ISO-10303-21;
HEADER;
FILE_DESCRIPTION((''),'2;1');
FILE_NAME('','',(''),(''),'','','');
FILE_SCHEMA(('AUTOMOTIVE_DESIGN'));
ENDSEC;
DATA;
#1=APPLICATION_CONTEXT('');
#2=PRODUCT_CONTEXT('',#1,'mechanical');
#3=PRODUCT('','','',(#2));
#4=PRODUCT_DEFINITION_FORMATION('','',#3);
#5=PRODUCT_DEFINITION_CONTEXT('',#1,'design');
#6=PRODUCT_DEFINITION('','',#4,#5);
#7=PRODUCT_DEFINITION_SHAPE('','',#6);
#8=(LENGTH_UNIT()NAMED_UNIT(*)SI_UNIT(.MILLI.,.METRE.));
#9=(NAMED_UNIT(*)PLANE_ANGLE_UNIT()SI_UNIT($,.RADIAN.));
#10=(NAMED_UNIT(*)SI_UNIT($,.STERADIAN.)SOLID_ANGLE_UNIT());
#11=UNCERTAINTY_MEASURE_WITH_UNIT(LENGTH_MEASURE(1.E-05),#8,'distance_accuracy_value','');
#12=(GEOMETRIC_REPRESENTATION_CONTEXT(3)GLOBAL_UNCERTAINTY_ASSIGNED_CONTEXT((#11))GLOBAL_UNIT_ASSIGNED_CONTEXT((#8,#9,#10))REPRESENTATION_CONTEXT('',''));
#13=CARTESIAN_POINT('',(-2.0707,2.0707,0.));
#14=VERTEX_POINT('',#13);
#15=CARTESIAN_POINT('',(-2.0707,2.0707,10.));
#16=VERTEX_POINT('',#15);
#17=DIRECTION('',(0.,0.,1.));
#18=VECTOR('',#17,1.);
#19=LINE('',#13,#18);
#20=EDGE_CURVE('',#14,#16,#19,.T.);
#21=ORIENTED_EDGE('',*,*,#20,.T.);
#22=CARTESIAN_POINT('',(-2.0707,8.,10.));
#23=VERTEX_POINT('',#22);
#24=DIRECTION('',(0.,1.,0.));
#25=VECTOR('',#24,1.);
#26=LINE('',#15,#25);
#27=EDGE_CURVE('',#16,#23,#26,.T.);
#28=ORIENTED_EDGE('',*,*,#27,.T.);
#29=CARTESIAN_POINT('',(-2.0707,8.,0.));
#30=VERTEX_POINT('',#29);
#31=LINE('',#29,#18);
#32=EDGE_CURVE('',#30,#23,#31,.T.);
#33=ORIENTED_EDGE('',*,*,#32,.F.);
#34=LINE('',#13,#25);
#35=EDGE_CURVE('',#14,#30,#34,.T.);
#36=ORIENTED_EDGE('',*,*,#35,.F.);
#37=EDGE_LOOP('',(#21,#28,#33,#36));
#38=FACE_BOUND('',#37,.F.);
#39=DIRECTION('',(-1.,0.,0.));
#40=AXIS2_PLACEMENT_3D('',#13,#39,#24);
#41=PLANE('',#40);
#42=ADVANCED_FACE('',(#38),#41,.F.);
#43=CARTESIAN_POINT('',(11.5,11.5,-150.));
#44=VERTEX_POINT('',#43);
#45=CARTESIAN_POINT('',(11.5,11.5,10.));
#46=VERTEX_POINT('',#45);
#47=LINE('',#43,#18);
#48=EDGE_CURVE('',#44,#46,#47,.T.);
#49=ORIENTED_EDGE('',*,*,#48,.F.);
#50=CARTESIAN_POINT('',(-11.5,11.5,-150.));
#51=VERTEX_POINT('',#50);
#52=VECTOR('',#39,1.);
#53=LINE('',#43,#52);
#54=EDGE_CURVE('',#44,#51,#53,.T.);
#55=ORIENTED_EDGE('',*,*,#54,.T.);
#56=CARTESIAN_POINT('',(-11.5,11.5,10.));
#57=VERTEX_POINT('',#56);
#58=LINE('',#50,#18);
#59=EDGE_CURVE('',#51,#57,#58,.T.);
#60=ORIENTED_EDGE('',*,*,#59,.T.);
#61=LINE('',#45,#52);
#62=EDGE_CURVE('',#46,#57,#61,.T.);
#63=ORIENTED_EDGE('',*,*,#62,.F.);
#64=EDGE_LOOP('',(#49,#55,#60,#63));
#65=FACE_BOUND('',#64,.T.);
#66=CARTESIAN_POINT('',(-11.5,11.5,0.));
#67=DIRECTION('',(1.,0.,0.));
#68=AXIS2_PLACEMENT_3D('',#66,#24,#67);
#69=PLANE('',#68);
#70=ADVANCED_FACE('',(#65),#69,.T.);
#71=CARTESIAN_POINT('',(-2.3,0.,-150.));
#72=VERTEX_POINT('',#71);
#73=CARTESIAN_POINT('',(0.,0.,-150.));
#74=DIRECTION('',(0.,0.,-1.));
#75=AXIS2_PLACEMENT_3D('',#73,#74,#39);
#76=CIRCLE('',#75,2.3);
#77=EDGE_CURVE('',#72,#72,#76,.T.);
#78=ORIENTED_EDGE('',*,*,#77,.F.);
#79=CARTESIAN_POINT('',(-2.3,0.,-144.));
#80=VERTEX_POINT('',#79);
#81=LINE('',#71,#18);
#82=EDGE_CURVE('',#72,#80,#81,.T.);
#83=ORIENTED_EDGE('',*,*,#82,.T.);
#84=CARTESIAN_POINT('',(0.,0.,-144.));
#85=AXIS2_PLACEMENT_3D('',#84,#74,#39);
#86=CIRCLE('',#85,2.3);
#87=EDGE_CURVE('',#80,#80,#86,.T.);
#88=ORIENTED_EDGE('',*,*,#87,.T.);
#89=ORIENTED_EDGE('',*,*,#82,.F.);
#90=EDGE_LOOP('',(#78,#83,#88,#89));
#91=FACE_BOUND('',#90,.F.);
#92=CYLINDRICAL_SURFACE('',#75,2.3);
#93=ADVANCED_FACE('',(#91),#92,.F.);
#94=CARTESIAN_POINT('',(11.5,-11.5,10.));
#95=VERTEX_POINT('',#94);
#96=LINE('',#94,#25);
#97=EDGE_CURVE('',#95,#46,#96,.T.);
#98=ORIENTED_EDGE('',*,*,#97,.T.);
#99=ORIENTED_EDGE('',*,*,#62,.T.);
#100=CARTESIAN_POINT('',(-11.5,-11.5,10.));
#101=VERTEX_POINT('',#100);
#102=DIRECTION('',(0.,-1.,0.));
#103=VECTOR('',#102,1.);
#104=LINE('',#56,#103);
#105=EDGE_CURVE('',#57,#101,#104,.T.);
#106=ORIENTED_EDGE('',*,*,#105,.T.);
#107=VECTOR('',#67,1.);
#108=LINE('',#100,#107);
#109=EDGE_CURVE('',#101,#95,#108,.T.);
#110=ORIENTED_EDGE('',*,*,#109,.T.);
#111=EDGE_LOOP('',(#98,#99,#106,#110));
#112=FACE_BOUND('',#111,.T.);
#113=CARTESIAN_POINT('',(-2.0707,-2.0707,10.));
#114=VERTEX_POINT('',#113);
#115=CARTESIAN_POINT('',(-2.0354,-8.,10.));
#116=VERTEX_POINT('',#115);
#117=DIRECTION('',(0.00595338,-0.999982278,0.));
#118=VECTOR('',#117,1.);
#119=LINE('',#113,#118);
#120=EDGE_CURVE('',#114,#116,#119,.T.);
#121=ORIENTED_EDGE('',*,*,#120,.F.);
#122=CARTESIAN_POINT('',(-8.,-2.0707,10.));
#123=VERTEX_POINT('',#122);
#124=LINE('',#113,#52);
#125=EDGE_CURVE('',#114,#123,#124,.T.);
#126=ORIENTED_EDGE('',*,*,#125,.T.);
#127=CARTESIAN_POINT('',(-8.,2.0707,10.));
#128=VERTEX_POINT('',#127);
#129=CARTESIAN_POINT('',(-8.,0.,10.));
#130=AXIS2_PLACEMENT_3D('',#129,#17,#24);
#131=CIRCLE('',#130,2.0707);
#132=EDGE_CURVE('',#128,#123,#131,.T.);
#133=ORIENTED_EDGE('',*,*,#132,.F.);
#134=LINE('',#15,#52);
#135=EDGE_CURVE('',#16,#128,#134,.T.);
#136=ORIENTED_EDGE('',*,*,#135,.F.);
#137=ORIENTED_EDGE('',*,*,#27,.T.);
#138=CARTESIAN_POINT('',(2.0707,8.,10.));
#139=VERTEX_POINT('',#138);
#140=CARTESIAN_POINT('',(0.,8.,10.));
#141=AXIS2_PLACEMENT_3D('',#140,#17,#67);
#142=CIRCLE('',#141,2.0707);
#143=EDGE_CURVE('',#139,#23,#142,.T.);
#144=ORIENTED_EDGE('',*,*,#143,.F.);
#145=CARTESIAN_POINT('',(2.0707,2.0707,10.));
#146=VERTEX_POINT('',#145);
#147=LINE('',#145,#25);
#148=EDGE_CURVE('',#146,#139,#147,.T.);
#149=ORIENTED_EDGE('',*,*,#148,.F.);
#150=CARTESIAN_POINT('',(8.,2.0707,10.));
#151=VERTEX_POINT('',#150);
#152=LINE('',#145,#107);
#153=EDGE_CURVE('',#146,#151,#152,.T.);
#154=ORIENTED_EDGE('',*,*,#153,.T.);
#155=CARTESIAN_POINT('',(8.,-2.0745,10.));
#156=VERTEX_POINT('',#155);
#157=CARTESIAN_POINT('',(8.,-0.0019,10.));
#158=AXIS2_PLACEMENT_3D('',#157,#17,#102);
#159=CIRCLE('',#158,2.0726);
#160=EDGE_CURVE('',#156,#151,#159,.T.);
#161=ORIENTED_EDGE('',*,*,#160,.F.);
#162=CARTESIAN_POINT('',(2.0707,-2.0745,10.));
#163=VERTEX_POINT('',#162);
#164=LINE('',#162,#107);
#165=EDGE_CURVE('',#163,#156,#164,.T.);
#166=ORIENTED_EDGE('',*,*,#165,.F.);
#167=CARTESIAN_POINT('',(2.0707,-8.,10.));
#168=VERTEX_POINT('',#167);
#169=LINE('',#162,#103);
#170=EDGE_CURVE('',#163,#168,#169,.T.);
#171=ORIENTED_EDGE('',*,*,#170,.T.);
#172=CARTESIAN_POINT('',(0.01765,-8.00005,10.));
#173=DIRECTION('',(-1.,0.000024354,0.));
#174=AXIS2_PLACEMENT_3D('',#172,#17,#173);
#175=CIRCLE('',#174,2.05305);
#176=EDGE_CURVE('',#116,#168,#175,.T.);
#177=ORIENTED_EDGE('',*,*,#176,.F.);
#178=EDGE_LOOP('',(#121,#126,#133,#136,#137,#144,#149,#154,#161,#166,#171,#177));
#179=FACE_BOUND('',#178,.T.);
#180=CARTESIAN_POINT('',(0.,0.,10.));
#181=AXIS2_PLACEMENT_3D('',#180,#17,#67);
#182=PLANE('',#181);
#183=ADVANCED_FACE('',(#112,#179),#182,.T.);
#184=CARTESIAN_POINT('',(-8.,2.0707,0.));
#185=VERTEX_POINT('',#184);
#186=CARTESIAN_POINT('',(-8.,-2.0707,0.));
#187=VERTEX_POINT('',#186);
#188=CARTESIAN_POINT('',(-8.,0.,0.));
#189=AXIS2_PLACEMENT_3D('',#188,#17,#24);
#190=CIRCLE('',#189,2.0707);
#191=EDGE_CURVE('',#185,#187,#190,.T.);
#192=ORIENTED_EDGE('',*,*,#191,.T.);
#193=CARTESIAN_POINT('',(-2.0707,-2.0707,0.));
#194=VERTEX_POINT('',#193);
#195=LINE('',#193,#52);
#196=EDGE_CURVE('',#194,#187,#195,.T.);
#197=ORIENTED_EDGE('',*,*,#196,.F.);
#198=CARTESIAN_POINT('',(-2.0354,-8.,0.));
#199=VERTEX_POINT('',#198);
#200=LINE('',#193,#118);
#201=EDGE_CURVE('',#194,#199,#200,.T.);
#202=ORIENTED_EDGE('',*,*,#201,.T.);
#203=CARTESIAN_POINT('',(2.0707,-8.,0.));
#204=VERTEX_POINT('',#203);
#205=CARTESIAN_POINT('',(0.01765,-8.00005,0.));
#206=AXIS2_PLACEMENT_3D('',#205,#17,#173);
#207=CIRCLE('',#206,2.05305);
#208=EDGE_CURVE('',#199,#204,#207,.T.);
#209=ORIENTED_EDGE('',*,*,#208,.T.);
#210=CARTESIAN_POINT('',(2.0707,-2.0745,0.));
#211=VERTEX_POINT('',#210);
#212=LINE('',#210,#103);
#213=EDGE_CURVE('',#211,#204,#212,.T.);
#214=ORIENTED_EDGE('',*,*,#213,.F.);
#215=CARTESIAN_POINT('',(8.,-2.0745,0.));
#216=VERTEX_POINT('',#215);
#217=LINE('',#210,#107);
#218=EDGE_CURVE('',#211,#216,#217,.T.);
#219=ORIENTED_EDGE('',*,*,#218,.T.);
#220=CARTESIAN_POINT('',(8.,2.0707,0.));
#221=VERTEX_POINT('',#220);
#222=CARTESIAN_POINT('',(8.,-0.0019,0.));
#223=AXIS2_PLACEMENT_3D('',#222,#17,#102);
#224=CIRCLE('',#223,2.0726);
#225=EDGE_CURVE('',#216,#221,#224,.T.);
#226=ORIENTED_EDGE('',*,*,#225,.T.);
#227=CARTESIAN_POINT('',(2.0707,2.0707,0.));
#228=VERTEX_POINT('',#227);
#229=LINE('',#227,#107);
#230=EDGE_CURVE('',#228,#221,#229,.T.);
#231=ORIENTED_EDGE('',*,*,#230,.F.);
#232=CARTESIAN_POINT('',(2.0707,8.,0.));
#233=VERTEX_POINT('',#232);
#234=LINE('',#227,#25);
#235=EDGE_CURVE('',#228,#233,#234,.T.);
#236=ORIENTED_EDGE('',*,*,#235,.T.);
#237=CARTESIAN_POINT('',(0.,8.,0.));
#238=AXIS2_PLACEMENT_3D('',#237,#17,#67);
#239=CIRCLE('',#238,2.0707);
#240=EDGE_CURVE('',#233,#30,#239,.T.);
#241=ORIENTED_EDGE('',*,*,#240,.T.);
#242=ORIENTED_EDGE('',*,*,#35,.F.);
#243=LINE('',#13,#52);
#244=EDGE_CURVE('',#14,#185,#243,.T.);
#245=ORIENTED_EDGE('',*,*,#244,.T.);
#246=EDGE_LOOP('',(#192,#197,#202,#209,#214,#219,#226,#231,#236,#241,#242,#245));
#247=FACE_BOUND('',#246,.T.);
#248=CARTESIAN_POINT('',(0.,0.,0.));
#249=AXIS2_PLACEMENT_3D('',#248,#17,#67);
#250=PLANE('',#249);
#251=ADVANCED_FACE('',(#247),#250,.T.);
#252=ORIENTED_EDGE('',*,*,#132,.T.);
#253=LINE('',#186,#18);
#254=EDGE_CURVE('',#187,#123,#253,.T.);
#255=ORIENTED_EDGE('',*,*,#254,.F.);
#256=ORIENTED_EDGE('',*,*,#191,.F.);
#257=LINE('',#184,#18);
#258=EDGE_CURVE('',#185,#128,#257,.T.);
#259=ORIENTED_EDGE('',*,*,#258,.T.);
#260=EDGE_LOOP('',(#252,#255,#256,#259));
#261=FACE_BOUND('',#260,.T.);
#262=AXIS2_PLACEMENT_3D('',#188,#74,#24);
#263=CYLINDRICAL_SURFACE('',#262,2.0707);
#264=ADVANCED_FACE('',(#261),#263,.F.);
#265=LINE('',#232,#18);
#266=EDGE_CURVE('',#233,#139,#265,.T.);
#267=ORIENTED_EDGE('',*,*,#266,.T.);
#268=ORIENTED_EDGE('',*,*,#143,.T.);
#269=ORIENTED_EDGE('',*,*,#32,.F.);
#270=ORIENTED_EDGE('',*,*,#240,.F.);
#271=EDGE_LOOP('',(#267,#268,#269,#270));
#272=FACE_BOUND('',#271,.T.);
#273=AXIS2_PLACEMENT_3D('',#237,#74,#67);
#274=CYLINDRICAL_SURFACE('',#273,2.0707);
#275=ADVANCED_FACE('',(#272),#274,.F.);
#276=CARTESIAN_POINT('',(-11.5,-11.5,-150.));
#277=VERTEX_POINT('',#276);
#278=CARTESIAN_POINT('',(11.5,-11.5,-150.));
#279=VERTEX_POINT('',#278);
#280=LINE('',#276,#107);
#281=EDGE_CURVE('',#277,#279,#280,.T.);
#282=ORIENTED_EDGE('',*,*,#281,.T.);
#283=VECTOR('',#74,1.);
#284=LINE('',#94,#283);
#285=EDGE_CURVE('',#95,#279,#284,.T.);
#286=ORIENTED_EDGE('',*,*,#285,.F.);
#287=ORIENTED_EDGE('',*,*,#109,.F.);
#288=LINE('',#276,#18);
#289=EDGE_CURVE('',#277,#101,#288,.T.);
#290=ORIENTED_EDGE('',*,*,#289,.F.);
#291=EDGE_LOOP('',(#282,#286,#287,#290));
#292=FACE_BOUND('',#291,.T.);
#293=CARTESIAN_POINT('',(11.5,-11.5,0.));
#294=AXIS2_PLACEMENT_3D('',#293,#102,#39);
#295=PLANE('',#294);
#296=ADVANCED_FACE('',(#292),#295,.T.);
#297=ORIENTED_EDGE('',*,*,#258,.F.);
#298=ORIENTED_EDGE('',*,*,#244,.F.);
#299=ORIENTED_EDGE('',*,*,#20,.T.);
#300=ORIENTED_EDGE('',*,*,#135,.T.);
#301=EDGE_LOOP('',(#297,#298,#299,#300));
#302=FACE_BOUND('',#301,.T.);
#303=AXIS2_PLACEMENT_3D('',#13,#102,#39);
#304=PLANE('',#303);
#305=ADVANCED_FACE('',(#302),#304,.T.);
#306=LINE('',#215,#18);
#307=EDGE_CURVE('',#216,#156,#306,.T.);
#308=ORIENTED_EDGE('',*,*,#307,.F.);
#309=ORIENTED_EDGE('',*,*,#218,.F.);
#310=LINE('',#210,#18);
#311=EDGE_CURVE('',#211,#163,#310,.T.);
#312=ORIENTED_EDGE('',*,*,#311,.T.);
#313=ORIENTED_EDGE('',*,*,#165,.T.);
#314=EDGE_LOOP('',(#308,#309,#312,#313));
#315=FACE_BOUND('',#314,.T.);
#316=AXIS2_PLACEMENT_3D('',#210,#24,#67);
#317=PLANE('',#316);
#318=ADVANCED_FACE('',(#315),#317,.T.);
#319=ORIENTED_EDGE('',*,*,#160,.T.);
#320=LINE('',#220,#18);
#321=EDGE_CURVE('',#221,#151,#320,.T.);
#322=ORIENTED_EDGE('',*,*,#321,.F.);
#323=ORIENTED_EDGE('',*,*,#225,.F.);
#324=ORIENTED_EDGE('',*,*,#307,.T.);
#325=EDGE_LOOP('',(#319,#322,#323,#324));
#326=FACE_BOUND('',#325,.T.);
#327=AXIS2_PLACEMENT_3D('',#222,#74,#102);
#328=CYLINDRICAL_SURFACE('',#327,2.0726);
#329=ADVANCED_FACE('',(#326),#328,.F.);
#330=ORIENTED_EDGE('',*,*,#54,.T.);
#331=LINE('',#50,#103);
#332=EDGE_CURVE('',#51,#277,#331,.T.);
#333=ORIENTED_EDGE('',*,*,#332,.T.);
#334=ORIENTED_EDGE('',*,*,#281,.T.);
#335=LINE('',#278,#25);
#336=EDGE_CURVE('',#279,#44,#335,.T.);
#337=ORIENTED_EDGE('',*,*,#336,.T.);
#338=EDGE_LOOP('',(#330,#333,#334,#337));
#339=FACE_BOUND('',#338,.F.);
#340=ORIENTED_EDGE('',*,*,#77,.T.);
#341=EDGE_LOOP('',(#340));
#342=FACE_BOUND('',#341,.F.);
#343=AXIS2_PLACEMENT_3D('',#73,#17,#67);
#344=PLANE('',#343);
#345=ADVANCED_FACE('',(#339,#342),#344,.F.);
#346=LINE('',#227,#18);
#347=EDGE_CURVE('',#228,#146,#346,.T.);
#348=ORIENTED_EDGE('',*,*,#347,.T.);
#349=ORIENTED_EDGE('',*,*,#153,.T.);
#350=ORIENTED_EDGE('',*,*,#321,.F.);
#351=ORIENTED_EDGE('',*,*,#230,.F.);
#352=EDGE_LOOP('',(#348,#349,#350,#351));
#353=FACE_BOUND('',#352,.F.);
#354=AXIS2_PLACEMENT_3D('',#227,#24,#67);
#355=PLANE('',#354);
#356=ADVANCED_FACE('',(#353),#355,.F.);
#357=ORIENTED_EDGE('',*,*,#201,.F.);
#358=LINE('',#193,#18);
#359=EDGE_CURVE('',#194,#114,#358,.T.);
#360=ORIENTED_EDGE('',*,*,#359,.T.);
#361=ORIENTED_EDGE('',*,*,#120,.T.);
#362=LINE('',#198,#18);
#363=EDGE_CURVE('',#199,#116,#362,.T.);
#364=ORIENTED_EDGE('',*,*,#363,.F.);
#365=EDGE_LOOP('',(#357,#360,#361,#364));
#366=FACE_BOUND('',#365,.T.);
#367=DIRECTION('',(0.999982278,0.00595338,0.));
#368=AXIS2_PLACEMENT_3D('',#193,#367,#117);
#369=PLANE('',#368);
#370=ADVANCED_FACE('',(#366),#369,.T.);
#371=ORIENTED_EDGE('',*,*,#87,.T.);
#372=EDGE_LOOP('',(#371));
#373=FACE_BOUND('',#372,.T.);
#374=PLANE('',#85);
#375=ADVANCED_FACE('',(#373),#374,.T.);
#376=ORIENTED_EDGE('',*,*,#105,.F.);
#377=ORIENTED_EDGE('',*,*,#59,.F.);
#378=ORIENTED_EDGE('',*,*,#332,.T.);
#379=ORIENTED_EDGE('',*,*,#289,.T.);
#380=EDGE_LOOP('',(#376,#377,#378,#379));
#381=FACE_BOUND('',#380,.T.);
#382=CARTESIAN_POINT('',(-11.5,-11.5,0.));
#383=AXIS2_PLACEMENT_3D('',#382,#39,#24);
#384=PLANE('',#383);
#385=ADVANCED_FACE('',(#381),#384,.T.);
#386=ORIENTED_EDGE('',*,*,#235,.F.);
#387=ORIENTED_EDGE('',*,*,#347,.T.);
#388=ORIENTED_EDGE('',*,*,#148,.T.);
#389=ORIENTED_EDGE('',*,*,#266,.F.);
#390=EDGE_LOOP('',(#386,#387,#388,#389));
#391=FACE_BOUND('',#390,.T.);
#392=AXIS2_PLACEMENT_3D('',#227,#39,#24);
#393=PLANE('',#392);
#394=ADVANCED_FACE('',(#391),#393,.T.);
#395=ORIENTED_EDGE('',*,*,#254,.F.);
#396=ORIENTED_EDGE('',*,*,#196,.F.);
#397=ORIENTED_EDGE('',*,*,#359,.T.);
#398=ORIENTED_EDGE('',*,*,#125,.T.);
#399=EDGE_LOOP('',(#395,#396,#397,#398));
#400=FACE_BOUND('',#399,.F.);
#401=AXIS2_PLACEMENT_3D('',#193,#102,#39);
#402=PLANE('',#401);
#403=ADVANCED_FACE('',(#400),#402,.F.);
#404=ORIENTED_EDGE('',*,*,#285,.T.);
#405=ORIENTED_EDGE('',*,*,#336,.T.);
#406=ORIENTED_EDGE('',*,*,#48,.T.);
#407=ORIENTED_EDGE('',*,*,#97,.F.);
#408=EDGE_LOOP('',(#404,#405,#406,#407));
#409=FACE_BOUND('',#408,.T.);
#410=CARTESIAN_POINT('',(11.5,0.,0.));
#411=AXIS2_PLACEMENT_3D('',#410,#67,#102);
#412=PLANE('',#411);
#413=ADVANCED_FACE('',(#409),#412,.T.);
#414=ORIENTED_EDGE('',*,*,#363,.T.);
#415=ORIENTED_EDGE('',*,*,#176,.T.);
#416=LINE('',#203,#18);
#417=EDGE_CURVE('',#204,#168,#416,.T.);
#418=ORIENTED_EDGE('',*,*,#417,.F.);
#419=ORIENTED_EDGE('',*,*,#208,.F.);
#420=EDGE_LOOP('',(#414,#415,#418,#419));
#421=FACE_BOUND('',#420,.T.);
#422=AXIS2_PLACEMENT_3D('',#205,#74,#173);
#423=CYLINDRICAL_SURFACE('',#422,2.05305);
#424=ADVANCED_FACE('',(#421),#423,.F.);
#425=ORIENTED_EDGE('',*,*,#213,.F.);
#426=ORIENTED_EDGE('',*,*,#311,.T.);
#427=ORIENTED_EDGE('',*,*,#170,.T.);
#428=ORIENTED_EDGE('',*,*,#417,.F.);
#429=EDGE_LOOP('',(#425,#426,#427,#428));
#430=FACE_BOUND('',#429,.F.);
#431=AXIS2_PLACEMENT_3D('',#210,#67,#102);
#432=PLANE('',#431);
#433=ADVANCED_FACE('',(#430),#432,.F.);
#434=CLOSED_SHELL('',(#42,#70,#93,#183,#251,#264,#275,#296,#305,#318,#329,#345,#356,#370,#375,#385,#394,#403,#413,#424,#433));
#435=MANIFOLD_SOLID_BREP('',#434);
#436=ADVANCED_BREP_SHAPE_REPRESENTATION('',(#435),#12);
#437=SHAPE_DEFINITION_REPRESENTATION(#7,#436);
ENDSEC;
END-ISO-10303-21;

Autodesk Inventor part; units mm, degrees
ref_plane "YZ Plane" through (0, 0, 0) normal (1, 0, 0) x (0, 1, 0)
ref_plane "XZ Plane" through (0, 0, 0) normal (0, 1, 0) x (-1, 0, 0)
ref_plane "XY Plane" through (0, 0, 0) normal (0, 0, 1) x (1, 0, 0)
sketch "Sketch1" plane through (0, 0, 0) normal (0, 0, 1) x (1, 0, 0)
  line L0 (-8, -2) -> (-2, -2)
  line L1 (-2, -2) -> (-8, -2)
  line L2 (-2, -2) -> (-2, -7.923)
  line L3 (2, -8) -> (2, -2.0038)
  line L4 (2, -2.0038) -> (2, -8)
  arc A0 (8, -2.0038) -> (10.0019, 0) centre (8, -0.0019) ccw
  line L5 (2, -2.0038) -> (8, -2.0038)
  line L6 (2, 2) -> (2, 8)
  line L7 (8, 2) -> (2, 2)
  line L8 (2, 2) -> (8, 2)
  line L9 (2, 2) -> (2, 8)
  line L10 (-2, 8) -> (-2, 2)
  line L11 (-2, 2) -> (-2, 8)
  arc A1 (-8, 2) -> (-10, 0) centre (-8, 0) ccw
  line L12 (-2, 2) -> (-8, 2)
  arc A2 (-8, 2) -> (-8, -2) centre (-8, 0) ccw
  arc A3 (-2, -8) -> (0, -10) centre (0, -8) ccw
  arc A4 (-2, -8) -> (2, -8) centre (0, -8) ccw
  arc A5 (8, -2.0038) -> (8, 2) centre (8, -0.0019) ccw
  arc A6 (2, 8) -> (-2, 8) centre (0, 8) ccw
  circle A7 centre (0, 0) radius 11.5
  line L13 (-2, 2) -> (-2.3536, 2.3536)
  line L14 (-2, 2) -> (-1.5, 2) construction
  line L15 (-2.3536, 2.3536) -> (-8, 2.3536)
  line L16 (-8, 2.3536) -> (-8, 2)
  line L17 (-2, -2) -> (-2.3536, -2.3536)
  line L18 (-2.3536, -2.3536) -> (-8, -2.3536)
  line L19 (-8, -2.3536) -> (-8, -2)
  line L20 (-2.3536, -2.3536) -> (-2.3536, -8)
  line L21 (-2.3536, -8) -> (-2, -8)
  line L22 (2, -2.0038) -> (2.3536, -2.3573)
  line L23 (2.3536, -2.3573) -> (2.3536, -8)
  line L24 (2.3536, -8) -> (2, -8)
  line L25 (-2, -7.923) -> (-2, -8)
  line L26 (2.3536, -2.3573) -> (8, -2.3573)
  line L27 (8, -2.3573) -> (8, -2.0038)
  line L28 (2, 2) -> (2.3536, 2.3536)
  line L29 (2.3536, 2.3536) -> (8, 2.3536)
  line L30 (8, 2.3536) -> (8, 2)
  line L31 (2.3536, 2.3536) -> (2.3536, 8)
  line L32 (2.3536, 8) -> (2, 8)
  line L33 (-2.3536, 2.3536) -> (-2.3536, 8)
  line L34 (-2.3536, 8) -> (-2, 8)
  arc A8 (2.3536, 8) -> (-2.3536, 8) centre (0, 8) ccw
  arc A9 (8, -2.3573) -> (8, 2.3536) centre (8, -0.0019) ccw
  arc A10 (-2.3536, -8) -> (2.3536, -8) centre (0, -8) ccw
  arc A11 (-8, 2.3536) -> (-8, -2.3536) centre (-8, 0) ccw
  line L35 (-2, 2) -> (-2.0707, 2.0707)
  line L36 (-2.0707, 2.0707) -> (-8, 2.0707)
  line L37 (-2.0707, 2.0707) -> (-2.0707, 8)
  line L38 (-2, -2) -> (-2.0707, -2.0707)
  line L39 (-2.0707, -2.0707) -> (-8, -2.0707)
  line L40 (-2.0707, -2.0707) -> (-2.0354, -8)
  line L41 (2, -2.0038) -> (2.0707, -2.0745)
  line L42 (2.0707, -2.0745) -> (2.0707, -8)
  line L43 (2.0707, -2.0745) -> (8, -2.0745)
  line L44 (2, 2) -> (2.0707, 2.0707)
  line L45 (2.0707, 2.0707) -> (8, 2.0707)
  line L46 (2.0707, 2.0707) -> (2.0707, 8)
  arc A12 (2.0707, 8) -> (-2.0707, 8) centre (0, 8) ccw
  arc A13 (-8, 2.0707) -> (-8, -2.0707) centre (-8, 0) ccw
  arc A14 (-2.0354, -8) -> (2.0707, -8) centre (0.0177, -8) ccw
  arc A15 (8, -2.0745) -> (8, 2.0707) centre (8, -0.0019) ccw
  line L47 (-11.5, 11.5) -> (11.5, 11.5)
  line L48 (11.5, 11.5) -> (11.5, -11.5)
  line L49 (11.5, -11.5) -> (-11.5, -11.5)
  line L50 (-11.5, -11.5) -> (-11.5, 11.5)
  point P0 (-11.5, 0)
  point P1 (0, -11.5)
  point P2 (0, 11.5)
  point P3 (11.5, 0)
  dimension "d1" = 23
  dimension "d2" = 0.5
  dimension "d3" = 135
  dimension "d4" = 0.5
  dimension "d6" = 5.6464
  dimension "d7" = 5.6464
  dimension "d8" = 0.5
  dimension "d9" = 0.5
  dimension "d10" = 0.1
  dimension "d11" = 0.1
  dimension "d13" = 0.1
  dimension "d14" = 0.1
  dimension "d22" = 23
  dimension "d23" = 23
extrude "Extrusion1" add sketch "Sketch1" along normal blind 10 contours L39 L17 L18 L19 | L19 A11 L16 A13 | L40 L21 L20 L17 | L16 L15 L13 L36 | A14 L24 A10 L21 | L13 L33 L34 L37 | L42 L22 L23 L24 | L34 A8 L32 A12 | L43 L27 L26 L22 | L32 L31 L28 L46 | A15 L30 A9 L27 | L28 L29 L30 L45 | A7 | L48 L49 A7 | A7 L47 L48 | A7 L50 L47 | L49 L50 A7
extrude "Extrusion2" add sketch "Sketch1" against normal blind 150 contours A2 A1 L12 L10 A6 L6 L7 A5 A0 L5 L3 A4 A3 L25 L2 L0 | L19 A13 L16 A1 A2 | L0 L17 L39 L19 | L2 L25 L21 L40 L17 | L39 L17 L18 L19 | L19 A11 L16 A13 | L40 L21 L20 L17 | L16 L36 L13 L12 | L16 L15 L13 L36 | A3 A4 L24 A14 L21 | A14 L24 A10 L21 | L13 L37 L34 L10 | L13 L33 L34 L37 | L42 L22 L23 L24 | L24 L3 L22 L42 | L34 A12 L32 A6 | L34 A8 L32 A12 | L43 L27 L26 L22 | L22 L5 L27 L43 | L32 L46 L28 L6 | L32 L31 L28 L46 | A15 L30 A9 L27 | L27 A0 A5 L30 A15 | L28 L45 L30 L7 | L28 L29 L30 L45 | A7 | L48 L49 A7 | A7 L47 L48 | A7 L50 L47 | L49 L50 A7
sketch "Sketch2" plane through (0, 0, -150) normal (0, 0, -1) x (-1, 0, 0)
  circle A0 centre (0, 0) radius 2.3
  dimension "d19" = 4.6
extrude "Extrusion3" cut sketch "Sketch2" against normal blind 6
properties part number "Tussen stuk V1.1" material "ABS Plastic"
